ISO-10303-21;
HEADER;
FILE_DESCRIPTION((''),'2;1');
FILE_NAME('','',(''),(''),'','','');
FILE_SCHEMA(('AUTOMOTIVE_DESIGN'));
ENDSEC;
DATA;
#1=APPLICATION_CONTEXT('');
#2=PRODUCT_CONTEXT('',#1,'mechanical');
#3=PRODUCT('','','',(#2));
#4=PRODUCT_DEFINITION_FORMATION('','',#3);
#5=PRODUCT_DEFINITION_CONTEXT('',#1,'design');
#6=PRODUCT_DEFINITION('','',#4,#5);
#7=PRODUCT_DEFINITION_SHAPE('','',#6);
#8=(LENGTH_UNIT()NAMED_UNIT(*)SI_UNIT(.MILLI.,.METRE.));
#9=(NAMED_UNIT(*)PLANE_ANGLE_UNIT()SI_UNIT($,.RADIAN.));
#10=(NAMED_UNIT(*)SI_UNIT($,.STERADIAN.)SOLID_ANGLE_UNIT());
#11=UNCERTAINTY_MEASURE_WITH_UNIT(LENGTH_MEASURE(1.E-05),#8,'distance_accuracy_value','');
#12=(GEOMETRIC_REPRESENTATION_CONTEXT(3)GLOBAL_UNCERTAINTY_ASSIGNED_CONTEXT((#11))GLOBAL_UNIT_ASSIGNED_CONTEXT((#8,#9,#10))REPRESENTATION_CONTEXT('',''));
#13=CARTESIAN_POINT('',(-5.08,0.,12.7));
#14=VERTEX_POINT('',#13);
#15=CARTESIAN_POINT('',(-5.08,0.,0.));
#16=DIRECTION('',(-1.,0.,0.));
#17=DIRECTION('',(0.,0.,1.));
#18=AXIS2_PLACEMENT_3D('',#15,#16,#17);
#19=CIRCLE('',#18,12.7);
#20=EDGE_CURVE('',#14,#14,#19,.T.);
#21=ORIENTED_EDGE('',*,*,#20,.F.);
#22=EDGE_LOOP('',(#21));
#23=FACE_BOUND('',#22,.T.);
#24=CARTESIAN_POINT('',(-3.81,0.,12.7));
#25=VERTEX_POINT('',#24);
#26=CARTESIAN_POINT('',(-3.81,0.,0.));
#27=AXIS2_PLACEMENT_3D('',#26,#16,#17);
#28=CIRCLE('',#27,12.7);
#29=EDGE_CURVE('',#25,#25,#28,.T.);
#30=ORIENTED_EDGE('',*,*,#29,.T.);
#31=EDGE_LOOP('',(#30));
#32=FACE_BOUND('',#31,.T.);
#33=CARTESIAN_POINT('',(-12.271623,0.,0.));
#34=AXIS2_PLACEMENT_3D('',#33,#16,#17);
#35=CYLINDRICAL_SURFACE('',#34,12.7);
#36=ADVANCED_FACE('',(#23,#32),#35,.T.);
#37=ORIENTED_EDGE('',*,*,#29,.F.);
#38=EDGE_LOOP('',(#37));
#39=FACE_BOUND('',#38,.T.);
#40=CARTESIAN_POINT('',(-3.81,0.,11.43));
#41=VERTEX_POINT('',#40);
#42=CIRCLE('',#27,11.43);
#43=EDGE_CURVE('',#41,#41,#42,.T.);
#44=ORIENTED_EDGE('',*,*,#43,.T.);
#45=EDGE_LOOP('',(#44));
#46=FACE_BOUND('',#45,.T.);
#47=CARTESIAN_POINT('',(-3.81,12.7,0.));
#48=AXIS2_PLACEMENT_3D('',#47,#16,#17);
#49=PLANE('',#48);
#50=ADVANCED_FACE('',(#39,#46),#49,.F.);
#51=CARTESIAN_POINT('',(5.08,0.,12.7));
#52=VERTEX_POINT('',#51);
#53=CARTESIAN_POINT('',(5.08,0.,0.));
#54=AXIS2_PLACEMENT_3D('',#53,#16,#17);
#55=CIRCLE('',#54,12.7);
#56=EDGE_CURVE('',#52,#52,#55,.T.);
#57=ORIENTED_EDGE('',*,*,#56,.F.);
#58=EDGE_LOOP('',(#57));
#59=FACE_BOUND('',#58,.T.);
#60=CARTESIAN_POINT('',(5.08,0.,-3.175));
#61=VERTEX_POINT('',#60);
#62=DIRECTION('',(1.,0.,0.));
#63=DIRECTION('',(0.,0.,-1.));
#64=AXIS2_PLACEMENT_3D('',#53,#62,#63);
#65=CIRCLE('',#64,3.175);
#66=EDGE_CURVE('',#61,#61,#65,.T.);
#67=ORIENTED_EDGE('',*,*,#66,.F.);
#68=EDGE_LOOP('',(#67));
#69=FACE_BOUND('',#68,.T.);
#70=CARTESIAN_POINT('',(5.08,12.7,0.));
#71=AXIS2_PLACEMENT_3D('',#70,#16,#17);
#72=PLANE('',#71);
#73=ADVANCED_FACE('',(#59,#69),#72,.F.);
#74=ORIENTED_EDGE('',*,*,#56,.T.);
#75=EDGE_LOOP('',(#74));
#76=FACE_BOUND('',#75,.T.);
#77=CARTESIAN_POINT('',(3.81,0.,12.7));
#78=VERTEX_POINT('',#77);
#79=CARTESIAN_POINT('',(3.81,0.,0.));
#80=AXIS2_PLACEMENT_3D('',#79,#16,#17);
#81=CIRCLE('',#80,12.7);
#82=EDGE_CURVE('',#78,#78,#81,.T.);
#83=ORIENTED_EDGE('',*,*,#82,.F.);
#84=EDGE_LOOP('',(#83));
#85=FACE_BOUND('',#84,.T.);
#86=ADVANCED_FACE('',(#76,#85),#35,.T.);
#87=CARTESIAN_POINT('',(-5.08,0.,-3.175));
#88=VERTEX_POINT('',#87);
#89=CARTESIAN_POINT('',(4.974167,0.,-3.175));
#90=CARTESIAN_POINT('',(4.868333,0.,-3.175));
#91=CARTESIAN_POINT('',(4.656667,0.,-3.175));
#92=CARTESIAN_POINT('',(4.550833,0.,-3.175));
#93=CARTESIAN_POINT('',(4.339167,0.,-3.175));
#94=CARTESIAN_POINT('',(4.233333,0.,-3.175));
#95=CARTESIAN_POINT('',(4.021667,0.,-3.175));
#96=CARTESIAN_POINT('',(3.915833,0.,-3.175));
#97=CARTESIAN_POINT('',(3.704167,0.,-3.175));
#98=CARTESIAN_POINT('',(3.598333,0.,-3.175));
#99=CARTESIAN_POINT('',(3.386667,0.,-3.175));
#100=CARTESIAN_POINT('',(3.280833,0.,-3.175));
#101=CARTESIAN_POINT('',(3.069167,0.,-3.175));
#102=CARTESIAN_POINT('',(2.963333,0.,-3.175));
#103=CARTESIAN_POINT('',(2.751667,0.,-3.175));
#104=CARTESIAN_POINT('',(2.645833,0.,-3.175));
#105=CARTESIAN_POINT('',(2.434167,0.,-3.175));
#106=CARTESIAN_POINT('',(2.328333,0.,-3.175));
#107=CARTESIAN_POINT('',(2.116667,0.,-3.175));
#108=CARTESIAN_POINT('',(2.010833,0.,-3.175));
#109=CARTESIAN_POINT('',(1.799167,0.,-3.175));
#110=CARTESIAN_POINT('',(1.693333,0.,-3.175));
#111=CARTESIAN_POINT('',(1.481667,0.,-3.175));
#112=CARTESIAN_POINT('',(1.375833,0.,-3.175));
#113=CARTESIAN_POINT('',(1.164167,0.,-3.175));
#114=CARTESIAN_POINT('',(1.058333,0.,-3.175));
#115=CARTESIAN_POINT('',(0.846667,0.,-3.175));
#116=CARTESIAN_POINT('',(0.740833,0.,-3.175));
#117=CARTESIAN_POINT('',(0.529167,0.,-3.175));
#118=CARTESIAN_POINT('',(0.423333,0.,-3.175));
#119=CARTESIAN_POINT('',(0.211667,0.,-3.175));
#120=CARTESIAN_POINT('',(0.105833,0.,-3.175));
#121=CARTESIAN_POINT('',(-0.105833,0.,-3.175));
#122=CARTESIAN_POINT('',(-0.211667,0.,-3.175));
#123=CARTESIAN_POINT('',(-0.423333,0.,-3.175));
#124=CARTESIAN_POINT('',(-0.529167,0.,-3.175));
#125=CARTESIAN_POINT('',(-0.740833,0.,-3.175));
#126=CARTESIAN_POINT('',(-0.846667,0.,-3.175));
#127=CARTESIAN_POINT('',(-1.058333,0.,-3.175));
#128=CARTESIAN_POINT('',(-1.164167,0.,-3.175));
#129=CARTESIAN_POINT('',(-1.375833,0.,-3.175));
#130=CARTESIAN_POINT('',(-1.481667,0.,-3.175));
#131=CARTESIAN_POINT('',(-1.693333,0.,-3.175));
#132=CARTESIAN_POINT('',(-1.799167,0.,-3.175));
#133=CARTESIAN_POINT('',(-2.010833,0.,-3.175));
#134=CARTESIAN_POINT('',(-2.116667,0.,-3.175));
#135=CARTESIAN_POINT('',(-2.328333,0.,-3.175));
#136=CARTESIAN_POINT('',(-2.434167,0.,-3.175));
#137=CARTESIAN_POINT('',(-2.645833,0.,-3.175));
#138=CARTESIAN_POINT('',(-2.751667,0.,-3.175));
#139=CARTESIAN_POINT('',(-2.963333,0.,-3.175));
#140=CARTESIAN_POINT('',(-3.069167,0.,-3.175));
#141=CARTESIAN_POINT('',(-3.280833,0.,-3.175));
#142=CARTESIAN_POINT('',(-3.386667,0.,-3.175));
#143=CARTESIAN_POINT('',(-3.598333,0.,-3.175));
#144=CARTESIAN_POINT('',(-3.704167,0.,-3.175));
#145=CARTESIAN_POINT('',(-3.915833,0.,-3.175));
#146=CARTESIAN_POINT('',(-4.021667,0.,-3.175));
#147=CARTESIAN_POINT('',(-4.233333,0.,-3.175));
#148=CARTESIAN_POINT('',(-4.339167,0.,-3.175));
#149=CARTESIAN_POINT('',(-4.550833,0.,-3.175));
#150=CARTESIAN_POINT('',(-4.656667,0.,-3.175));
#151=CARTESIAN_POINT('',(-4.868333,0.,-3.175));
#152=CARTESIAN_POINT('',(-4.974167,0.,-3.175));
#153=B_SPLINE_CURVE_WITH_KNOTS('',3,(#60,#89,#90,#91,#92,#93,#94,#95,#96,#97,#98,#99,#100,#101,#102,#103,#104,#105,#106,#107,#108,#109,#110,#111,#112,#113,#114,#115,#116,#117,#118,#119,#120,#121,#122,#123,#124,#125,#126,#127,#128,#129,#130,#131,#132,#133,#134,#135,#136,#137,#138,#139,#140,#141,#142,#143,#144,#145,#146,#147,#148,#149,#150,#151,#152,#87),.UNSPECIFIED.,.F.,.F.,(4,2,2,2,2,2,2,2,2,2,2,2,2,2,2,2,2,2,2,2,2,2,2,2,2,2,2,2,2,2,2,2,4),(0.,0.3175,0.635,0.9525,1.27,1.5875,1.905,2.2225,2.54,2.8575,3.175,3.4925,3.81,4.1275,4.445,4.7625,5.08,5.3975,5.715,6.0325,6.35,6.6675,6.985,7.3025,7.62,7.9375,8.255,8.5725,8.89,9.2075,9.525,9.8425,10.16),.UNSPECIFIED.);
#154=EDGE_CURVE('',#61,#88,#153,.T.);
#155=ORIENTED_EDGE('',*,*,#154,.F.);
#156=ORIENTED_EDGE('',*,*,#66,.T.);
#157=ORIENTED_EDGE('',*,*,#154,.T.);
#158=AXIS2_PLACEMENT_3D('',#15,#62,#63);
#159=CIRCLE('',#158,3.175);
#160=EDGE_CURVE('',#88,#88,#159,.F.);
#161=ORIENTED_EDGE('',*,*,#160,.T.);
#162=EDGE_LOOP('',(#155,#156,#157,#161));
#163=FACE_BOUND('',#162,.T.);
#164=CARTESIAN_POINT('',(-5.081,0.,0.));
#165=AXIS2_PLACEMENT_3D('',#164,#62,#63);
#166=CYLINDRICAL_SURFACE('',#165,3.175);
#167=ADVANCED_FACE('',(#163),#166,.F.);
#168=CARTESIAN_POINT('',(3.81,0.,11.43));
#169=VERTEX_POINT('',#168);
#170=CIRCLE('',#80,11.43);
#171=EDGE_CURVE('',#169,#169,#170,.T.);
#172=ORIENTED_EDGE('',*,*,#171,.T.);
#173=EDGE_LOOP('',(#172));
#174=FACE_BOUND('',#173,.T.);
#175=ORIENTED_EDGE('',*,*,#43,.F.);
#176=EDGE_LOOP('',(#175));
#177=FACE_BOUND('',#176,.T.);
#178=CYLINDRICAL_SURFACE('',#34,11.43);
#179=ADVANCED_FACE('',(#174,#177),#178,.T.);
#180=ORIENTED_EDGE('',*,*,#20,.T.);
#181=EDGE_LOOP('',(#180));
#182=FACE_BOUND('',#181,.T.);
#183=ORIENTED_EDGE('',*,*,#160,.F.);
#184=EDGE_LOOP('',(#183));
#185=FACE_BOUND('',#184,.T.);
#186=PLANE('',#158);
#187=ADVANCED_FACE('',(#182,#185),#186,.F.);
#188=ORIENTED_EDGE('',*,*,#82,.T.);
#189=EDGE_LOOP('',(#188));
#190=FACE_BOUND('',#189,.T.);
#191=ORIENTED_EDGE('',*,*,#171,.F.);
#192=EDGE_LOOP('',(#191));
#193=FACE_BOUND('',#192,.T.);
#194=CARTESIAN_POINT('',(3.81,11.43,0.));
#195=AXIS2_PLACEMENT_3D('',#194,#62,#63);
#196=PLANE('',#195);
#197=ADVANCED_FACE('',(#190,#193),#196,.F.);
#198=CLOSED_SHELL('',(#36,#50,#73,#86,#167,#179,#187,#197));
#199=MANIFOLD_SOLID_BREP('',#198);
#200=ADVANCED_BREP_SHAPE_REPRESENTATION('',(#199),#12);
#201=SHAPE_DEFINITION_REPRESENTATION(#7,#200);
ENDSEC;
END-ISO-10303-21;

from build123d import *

# Parameters (mm, degrees)
CUT_EXTRUDE1_REACH = 22.635
SKETCH3_R          = 3.175


with BuildPart() as part:
    # Sketch2 → Revolve1 (revolve)
    with BuildSketch(Plane.XY, mode=Mode.PRIVATE) as revolve1_sk:
        Polygon((5.08, 0), (-5.08, 0), (-5.08, 12.7), (-3.81, 12.7), (-3.81, 11.43), (3.81, 11.43), (3.81, 12.7), (5.08, 12.7), align=None)
    revolve(revolve1_sk.sketch.rotate(Axis((-12.271623249, 0, 0), (1, 0, 0)), 90), axis=Axis((-12.271623249, 0, 0), (1, 0, 0)))

    # Sketch3 → Cut-Extrude1 (cut, up to next)
    with BuildSketch(Plane(origin=(5.08, 0, 0), x_dir=(0, 0, -1), z_dir=(1, 0, 0)), mode=Mode.PRIVATE) as cut_extrude1_sk1:
        Circle(SKETCH3_R)
    cut_extrude1_tool1 = extrude(cut_extrude1_sk1.sketch, amount=-CUT_EXTRUDE1_REACH, mode=Mode.PRIVATE) & part.part
    add(cut_extrude1_tool1.solids().sort_by_distance((5.08, 0, 0))[0], mode=Mode.SUBTRACT)


solid = part.part
